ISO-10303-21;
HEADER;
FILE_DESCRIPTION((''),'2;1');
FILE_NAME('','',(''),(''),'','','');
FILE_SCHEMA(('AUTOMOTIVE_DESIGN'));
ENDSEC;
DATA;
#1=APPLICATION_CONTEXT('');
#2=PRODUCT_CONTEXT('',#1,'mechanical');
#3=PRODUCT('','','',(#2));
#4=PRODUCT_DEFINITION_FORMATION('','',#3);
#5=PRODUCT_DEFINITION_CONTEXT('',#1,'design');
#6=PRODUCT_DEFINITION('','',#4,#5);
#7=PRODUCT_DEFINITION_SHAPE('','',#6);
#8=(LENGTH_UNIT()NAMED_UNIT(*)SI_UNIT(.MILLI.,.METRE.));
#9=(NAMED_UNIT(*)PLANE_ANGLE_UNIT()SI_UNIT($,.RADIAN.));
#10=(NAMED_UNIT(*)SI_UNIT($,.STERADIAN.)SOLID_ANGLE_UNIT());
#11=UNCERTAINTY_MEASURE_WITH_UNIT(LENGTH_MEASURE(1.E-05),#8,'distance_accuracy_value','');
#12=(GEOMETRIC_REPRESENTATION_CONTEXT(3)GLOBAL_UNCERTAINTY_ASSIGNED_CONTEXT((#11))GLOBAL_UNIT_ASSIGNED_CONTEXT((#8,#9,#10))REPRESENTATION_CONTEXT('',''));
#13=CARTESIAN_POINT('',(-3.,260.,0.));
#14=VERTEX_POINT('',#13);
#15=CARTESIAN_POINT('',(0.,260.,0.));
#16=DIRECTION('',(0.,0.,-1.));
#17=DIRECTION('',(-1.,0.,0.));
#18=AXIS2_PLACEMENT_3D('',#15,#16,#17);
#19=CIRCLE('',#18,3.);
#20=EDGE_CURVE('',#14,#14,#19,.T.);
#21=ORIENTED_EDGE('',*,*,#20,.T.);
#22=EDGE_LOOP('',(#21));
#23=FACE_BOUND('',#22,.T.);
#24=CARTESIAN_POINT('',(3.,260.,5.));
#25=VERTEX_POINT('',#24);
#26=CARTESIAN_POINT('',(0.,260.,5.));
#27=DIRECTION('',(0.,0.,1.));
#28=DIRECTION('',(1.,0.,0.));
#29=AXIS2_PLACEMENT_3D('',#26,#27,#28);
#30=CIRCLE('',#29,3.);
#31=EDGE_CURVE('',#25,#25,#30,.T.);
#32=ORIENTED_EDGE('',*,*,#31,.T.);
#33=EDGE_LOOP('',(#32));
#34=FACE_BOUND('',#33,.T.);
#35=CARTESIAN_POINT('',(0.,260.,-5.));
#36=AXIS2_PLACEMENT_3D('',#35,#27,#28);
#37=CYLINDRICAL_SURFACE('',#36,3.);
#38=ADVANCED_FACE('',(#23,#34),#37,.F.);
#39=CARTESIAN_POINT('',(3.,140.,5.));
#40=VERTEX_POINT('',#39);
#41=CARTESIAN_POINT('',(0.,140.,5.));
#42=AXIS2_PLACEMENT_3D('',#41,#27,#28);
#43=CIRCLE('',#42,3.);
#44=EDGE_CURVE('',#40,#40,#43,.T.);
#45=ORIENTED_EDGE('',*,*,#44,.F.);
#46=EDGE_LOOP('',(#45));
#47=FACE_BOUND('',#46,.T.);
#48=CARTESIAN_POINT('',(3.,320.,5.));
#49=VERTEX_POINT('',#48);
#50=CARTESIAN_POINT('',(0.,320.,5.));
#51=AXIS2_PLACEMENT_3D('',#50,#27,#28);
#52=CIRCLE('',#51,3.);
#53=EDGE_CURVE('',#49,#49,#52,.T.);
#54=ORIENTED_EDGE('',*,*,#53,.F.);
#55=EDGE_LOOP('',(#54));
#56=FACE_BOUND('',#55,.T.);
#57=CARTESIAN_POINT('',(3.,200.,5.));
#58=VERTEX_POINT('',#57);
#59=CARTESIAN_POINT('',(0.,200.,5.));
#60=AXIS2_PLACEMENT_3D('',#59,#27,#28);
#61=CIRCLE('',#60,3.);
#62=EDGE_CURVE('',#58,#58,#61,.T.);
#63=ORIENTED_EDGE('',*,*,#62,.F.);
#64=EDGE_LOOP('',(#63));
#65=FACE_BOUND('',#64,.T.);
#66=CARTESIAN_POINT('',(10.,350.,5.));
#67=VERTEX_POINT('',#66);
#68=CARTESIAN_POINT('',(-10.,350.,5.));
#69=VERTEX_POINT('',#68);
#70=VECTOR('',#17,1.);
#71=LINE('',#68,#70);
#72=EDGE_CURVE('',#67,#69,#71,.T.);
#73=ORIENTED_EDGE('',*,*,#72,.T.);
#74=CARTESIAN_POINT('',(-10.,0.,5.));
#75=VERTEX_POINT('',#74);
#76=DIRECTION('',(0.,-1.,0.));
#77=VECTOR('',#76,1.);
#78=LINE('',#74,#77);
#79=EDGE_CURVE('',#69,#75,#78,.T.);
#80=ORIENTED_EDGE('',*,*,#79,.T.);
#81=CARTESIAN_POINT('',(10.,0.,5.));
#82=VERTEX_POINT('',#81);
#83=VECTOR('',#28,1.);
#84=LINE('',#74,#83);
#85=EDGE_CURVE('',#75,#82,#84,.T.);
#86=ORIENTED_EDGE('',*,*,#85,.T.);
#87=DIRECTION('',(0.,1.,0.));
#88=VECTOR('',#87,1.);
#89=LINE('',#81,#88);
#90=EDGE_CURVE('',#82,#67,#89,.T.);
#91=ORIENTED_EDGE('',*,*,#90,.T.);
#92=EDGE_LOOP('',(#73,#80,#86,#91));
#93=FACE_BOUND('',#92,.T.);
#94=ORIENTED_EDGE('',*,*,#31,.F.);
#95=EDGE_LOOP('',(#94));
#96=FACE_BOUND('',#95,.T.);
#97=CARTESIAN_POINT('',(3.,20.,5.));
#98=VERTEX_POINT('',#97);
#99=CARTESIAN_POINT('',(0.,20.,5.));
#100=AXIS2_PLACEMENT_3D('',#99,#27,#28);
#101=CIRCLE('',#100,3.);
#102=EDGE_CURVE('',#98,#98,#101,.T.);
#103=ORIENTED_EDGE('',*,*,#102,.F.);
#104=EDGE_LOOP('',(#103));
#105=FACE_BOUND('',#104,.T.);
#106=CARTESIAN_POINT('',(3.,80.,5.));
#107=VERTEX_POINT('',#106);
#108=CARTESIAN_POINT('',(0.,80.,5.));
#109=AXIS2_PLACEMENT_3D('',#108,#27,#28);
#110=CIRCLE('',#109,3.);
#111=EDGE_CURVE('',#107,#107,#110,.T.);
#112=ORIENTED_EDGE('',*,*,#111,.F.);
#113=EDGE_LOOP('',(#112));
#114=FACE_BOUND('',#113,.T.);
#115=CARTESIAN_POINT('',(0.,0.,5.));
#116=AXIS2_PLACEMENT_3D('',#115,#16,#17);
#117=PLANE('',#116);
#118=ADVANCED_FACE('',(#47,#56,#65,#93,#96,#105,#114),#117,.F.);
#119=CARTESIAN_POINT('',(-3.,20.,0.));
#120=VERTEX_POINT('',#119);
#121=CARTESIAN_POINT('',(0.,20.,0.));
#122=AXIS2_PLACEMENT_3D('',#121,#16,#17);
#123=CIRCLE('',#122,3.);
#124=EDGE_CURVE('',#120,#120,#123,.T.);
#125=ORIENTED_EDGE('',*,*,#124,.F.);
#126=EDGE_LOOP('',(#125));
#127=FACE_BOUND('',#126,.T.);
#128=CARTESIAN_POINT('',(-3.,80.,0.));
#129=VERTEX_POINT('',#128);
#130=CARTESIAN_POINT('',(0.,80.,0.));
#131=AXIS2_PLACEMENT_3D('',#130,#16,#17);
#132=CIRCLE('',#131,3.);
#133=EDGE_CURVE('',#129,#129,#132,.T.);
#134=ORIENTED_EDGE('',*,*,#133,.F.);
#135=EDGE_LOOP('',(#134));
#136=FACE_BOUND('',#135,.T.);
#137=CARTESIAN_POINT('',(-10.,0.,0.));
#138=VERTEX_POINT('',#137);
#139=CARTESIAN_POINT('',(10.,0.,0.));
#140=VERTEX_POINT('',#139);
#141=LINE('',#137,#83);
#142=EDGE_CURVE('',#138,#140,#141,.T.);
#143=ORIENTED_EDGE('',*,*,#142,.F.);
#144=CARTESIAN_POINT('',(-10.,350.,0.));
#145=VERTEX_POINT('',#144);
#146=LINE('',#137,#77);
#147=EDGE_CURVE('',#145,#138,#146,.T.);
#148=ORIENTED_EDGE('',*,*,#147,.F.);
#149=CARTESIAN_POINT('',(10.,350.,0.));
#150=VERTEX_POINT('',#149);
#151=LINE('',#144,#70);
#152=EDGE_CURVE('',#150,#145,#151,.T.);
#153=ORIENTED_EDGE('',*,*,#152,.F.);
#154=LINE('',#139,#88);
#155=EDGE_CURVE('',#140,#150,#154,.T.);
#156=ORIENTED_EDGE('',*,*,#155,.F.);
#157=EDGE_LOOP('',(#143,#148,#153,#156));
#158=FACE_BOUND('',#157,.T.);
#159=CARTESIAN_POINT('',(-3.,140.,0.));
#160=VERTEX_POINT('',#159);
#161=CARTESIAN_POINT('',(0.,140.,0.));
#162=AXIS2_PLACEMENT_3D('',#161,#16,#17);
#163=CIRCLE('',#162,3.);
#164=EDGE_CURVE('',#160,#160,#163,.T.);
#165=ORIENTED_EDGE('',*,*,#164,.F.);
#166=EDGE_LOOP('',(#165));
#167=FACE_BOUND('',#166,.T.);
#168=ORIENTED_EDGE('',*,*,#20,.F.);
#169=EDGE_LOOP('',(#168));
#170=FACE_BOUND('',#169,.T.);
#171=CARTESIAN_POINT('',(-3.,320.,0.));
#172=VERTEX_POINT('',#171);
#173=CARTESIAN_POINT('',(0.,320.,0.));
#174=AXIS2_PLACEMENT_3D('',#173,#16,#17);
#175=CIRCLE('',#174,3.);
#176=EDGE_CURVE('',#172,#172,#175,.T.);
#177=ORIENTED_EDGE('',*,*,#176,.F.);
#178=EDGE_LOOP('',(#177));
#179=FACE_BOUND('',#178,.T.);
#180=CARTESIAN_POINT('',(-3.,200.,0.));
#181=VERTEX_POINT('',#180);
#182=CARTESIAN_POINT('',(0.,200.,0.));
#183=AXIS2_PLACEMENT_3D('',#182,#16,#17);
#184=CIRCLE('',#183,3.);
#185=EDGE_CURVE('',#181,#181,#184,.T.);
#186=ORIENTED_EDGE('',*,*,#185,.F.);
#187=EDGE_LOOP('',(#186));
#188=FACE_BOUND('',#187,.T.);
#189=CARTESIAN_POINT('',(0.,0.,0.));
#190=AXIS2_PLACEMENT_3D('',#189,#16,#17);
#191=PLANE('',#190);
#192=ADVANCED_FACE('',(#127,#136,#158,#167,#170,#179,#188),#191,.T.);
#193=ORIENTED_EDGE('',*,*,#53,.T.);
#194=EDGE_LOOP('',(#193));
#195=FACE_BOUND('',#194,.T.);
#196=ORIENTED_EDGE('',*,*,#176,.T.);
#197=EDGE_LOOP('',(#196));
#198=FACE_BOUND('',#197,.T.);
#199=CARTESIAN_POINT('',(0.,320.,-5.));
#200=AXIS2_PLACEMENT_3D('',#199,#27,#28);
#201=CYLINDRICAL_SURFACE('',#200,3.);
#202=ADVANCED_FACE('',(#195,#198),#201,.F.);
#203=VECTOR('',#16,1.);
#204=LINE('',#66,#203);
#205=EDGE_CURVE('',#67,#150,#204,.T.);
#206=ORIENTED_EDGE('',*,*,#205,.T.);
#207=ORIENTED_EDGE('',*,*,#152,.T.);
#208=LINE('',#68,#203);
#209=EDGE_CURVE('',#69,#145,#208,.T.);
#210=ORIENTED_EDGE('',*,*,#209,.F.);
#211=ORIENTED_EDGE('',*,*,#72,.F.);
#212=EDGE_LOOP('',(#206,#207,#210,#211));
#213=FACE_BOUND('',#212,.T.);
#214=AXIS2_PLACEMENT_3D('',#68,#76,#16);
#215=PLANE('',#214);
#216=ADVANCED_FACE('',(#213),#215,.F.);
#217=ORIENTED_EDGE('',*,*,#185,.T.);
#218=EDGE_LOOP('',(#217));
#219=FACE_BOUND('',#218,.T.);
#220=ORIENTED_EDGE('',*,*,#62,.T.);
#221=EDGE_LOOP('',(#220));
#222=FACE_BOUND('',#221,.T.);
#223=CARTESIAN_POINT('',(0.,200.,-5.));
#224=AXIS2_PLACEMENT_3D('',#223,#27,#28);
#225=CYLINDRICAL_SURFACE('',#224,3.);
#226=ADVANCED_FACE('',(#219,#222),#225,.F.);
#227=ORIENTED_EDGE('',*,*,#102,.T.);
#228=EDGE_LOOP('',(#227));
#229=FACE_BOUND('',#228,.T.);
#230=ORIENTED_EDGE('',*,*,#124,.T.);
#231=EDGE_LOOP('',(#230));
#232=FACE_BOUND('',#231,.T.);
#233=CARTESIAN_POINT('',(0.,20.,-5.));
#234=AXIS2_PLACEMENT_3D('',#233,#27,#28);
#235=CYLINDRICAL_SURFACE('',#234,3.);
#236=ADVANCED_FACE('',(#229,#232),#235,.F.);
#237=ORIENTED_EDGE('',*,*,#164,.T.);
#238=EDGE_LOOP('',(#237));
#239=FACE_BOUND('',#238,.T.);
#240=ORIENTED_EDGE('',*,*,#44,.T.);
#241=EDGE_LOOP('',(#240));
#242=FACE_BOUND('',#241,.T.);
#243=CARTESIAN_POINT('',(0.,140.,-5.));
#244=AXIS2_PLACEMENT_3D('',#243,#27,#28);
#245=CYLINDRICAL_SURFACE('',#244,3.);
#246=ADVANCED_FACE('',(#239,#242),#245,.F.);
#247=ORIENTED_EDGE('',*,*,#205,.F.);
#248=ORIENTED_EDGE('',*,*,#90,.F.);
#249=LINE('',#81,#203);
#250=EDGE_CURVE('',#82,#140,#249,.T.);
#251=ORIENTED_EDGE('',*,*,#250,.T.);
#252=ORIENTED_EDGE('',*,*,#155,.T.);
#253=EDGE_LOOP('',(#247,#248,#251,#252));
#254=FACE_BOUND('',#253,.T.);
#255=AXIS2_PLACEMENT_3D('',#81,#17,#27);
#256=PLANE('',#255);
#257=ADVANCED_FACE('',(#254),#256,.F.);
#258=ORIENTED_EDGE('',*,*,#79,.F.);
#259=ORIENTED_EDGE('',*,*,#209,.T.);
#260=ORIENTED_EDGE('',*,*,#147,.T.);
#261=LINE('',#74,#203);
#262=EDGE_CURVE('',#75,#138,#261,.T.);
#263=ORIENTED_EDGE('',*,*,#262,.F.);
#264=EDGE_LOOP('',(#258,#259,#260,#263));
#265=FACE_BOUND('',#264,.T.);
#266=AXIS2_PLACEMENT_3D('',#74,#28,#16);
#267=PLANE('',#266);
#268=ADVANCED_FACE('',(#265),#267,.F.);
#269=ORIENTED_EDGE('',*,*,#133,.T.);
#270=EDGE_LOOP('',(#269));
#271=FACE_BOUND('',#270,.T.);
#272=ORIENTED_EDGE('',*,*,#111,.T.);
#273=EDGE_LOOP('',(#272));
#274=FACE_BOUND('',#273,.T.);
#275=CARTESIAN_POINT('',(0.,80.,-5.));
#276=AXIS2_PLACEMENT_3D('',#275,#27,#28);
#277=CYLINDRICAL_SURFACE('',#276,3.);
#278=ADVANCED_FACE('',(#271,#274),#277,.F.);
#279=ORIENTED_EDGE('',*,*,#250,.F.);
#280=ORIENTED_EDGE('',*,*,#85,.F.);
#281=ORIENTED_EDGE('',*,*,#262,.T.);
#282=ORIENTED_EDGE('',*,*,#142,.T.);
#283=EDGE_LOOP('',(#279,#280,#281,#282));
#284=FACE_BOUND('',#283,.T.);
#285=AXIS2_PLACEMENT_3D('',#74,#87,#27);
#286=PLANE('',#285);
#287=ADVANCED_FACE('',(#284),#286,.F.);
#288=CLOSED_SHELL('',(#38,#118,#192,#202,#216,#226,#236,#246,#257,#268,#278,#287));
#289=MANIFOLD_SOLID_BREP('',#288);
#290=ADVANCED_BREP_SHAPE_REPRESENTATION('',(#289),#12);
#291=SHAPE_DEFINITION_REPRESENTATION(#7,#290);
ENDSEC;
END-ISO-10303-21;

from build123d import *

# Parameters (mm, degrees)
SKIZZE1_W                       = 20
SKIZZE1_H                       = 350
AUFSATZ_LINEAR_AUSTRAGEN1_DEPTH = 5
SKIZZE2_R                       = 3
SCHNITT_LINEAR_AUSTRAGEN1_DEPTH = 10
LINEARES_MUSTER1_COUNT          = 6
LINEARES_MUSTER1_PITCH          = 60


with BuildPart() as part:
    # Skizze1 → Aufsatz-Linear austragen1 (new body)
    with BuildSketch(Plane.XY):
        with Locations((0, 175)):
            Rectangle(SKIZZE1_W, SKIZZE1_H)
    extrude(amount=AUFSATZ_LINEAR_AUSTRAGEN1_DEPTH)

    # Skizze2 → Schnitt-Linear austragen1 (cut)
    with BuildSketch(Plane.XY.offset(5)):
        with Locations((0, 20)):
            Circle(SKIZZE2_R)
    schnitt_linear_austragen1 = extrude(amount=-SCHNITT_LINEAR_AUSTRAGEN1_DEPTH, mode=Mode.SUBTRACT)

    # Lineares Muster1: Schnitt-Linear austragen1 ×6
    with Locations(*[(0, i * LINEARES_MUSTER1_PITCH, 0) for i in range(1, LINEARES_MUSTER1_COUNT)]):
        add(schnitt_linear_austragen1, mode=Mode.SUBTRACT)


solid = part.part
